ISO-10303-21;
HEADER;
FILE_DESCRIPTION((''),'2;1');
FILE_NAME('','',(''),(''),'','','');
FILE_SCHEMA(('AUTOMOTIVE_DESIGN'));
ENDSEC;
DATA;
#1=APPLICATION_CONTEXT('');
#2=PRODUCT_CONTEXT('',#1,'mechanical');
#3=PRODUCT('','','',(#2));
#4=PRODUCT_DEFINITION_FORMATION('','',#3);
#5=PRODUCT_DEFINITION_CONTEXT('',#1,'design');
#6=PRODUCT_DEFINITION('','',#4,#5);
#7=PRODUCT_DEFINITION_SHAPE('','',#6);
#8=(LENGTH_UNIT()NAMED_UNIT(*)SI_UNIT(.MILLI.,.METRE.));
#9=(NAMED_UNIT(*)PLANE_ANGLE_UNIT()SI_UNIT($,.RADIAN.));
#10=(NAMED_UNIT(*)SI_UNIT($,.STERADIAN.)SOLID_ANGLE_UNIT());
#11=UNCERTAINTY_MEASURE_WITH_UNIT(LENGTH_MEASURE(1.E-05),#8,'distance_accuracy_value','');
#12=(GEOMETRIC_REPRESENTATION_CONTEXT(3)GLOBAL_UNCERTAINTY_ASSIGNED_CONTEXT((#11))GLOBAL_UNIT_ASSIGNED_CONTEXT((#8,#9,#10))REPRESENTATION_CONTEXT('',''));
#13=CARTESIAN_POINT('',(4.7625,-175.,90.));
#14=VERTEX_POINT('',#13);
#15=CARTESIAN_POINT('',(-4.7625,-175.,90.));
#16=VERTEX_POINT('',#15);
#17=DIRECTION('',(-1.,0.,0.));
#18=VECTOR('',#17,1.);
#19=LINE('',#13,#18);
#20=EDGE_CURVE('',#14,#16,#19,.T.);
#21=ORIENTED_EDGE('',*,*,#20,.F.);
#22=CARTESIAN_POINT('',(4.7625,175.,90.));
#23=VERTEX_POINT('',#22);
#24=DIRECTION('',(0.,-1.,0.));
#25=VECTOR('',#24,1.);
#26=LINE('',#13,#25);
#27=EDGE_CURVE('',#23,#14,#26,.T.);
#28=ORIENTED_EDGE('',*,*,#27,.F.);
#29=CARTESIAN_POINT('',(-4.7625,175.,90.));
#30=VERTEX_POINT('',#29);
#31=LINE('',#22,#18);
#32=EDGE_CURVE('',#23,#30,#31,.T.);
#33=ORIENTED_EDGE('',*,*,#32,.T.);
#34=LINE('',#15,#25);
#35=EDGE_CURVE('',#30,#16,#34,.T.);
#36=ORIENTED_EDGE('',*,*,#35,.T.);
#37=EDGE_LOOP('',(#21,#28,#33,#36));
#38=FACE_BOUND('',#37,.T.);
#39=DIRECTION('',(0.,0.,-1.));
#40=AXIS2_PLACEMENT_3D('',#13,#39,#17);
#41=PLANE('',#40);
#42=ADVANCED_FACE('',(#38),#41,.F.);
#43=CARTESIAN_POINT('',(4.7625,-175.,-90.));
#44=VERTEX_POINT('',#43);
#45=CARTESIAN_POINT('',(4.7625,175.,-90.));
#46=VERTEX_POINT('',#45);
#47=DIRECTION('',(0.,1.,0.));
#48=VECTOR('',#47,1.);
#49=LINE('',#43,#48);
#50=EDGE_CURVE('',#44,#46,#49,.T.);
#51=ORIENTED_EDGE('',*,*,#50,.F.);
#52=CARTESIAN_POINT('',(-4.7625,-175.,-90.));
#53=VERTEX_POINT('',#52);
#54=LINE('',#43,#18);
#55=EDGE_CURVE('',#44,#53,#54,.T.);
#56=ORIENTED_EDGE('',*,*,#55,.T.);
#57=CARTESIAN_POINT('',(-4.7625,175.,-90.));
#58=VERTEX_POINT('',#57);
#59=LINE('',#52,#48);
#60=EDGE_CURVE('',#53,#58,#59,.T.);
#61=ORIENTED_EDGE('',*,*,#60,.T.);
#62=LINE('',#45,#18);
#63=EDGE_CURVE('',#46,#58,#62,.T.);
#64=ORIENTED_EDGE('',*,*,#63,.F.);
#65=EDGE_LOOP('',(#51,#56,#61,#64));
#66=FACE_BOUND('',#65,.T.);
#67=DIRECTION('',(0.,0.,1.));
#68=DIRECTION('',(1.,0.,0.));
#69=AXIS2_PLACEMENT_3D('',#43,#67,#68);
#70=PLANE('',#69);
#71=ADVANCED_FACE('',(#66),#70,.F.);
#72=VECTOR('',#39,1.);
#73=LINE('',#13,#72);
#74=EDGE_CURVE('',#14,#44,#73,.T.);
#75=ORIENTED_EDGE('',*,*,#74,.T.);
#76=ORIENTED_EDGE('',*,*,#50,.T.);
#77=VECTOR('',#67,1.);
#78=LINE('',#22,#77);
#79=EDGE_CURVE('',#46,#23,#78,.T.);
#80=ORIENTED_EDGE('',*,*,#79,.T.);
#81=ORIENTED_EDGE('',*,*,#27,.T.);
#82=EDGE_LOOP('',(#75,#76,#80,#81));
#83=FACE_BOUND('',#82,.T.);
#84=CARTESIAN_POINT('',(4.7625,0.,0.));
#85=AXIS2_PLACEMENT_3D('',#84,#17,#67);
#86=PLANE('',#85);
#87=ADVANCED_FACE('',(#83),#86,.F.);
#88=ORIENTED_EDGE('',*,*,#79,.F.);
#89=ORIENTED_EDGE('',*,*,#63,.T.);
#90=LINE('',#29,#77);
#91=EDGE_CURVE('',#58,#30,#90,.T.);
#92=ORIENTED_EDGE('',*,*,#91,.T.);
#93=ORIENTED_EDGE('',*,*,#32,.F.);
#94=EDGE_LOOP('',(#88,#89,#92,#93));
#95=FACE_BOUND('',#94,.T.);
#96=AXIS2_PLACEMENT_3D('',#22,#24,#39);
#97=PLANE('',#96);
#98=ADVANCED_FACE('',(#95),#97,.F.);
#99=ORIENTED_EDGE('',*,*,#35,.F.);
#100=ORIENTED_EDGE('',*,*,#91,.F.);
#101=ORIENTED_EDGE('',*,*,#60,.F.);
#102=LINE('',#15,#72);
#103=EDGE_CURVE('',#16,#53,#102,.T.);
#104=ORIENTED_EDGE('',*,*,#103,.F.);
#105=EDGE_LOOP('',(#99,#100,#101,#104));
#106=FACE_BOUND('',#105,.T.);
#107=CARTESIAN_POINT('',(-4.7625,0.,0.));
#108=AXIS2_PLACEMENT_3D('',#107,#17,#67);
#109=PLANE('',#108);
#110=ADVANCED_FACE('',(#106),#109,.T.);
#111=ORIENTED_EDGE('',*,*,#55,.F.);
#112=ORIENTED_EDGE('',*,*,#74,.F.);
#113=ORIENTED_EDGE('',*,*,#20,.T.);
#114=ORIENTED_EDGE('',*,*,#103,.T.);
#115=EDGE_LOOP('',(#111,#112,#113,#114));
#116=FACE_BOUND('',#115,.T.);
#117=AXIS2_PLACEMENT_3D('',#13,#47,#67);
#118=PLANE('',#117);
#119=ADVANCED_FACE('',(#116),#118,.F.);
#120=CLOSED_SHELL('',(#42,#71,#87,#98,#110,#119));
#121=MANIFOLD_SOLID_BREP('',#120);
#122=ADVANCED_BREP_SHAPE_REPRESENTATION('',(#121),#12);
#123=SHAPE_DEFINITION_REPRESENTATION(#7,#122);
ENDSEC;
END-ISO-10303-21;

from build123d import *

# Parameters (mm, degrees)
CROQUIS2_W              = 180
CROQUIS2_H              = 350
SALIENTE_EXTRUIR1_DEPTH = 4.7625


with BuildPart() as part:
    # Croquis2 → Saliente-Extruir1 (new, symmetric)
    with BuildSketch(Plane(origin=(0, 0, 0), x_dir=(0, 0, -1), z_dir=(1, 0, 0))):
        Rectangle(CROQUIS2_W, CROQUIS2_H)
    extrude(amount=SALIENTE_EXTRUIR1_DEPTH, both=True)


solid = part.part
